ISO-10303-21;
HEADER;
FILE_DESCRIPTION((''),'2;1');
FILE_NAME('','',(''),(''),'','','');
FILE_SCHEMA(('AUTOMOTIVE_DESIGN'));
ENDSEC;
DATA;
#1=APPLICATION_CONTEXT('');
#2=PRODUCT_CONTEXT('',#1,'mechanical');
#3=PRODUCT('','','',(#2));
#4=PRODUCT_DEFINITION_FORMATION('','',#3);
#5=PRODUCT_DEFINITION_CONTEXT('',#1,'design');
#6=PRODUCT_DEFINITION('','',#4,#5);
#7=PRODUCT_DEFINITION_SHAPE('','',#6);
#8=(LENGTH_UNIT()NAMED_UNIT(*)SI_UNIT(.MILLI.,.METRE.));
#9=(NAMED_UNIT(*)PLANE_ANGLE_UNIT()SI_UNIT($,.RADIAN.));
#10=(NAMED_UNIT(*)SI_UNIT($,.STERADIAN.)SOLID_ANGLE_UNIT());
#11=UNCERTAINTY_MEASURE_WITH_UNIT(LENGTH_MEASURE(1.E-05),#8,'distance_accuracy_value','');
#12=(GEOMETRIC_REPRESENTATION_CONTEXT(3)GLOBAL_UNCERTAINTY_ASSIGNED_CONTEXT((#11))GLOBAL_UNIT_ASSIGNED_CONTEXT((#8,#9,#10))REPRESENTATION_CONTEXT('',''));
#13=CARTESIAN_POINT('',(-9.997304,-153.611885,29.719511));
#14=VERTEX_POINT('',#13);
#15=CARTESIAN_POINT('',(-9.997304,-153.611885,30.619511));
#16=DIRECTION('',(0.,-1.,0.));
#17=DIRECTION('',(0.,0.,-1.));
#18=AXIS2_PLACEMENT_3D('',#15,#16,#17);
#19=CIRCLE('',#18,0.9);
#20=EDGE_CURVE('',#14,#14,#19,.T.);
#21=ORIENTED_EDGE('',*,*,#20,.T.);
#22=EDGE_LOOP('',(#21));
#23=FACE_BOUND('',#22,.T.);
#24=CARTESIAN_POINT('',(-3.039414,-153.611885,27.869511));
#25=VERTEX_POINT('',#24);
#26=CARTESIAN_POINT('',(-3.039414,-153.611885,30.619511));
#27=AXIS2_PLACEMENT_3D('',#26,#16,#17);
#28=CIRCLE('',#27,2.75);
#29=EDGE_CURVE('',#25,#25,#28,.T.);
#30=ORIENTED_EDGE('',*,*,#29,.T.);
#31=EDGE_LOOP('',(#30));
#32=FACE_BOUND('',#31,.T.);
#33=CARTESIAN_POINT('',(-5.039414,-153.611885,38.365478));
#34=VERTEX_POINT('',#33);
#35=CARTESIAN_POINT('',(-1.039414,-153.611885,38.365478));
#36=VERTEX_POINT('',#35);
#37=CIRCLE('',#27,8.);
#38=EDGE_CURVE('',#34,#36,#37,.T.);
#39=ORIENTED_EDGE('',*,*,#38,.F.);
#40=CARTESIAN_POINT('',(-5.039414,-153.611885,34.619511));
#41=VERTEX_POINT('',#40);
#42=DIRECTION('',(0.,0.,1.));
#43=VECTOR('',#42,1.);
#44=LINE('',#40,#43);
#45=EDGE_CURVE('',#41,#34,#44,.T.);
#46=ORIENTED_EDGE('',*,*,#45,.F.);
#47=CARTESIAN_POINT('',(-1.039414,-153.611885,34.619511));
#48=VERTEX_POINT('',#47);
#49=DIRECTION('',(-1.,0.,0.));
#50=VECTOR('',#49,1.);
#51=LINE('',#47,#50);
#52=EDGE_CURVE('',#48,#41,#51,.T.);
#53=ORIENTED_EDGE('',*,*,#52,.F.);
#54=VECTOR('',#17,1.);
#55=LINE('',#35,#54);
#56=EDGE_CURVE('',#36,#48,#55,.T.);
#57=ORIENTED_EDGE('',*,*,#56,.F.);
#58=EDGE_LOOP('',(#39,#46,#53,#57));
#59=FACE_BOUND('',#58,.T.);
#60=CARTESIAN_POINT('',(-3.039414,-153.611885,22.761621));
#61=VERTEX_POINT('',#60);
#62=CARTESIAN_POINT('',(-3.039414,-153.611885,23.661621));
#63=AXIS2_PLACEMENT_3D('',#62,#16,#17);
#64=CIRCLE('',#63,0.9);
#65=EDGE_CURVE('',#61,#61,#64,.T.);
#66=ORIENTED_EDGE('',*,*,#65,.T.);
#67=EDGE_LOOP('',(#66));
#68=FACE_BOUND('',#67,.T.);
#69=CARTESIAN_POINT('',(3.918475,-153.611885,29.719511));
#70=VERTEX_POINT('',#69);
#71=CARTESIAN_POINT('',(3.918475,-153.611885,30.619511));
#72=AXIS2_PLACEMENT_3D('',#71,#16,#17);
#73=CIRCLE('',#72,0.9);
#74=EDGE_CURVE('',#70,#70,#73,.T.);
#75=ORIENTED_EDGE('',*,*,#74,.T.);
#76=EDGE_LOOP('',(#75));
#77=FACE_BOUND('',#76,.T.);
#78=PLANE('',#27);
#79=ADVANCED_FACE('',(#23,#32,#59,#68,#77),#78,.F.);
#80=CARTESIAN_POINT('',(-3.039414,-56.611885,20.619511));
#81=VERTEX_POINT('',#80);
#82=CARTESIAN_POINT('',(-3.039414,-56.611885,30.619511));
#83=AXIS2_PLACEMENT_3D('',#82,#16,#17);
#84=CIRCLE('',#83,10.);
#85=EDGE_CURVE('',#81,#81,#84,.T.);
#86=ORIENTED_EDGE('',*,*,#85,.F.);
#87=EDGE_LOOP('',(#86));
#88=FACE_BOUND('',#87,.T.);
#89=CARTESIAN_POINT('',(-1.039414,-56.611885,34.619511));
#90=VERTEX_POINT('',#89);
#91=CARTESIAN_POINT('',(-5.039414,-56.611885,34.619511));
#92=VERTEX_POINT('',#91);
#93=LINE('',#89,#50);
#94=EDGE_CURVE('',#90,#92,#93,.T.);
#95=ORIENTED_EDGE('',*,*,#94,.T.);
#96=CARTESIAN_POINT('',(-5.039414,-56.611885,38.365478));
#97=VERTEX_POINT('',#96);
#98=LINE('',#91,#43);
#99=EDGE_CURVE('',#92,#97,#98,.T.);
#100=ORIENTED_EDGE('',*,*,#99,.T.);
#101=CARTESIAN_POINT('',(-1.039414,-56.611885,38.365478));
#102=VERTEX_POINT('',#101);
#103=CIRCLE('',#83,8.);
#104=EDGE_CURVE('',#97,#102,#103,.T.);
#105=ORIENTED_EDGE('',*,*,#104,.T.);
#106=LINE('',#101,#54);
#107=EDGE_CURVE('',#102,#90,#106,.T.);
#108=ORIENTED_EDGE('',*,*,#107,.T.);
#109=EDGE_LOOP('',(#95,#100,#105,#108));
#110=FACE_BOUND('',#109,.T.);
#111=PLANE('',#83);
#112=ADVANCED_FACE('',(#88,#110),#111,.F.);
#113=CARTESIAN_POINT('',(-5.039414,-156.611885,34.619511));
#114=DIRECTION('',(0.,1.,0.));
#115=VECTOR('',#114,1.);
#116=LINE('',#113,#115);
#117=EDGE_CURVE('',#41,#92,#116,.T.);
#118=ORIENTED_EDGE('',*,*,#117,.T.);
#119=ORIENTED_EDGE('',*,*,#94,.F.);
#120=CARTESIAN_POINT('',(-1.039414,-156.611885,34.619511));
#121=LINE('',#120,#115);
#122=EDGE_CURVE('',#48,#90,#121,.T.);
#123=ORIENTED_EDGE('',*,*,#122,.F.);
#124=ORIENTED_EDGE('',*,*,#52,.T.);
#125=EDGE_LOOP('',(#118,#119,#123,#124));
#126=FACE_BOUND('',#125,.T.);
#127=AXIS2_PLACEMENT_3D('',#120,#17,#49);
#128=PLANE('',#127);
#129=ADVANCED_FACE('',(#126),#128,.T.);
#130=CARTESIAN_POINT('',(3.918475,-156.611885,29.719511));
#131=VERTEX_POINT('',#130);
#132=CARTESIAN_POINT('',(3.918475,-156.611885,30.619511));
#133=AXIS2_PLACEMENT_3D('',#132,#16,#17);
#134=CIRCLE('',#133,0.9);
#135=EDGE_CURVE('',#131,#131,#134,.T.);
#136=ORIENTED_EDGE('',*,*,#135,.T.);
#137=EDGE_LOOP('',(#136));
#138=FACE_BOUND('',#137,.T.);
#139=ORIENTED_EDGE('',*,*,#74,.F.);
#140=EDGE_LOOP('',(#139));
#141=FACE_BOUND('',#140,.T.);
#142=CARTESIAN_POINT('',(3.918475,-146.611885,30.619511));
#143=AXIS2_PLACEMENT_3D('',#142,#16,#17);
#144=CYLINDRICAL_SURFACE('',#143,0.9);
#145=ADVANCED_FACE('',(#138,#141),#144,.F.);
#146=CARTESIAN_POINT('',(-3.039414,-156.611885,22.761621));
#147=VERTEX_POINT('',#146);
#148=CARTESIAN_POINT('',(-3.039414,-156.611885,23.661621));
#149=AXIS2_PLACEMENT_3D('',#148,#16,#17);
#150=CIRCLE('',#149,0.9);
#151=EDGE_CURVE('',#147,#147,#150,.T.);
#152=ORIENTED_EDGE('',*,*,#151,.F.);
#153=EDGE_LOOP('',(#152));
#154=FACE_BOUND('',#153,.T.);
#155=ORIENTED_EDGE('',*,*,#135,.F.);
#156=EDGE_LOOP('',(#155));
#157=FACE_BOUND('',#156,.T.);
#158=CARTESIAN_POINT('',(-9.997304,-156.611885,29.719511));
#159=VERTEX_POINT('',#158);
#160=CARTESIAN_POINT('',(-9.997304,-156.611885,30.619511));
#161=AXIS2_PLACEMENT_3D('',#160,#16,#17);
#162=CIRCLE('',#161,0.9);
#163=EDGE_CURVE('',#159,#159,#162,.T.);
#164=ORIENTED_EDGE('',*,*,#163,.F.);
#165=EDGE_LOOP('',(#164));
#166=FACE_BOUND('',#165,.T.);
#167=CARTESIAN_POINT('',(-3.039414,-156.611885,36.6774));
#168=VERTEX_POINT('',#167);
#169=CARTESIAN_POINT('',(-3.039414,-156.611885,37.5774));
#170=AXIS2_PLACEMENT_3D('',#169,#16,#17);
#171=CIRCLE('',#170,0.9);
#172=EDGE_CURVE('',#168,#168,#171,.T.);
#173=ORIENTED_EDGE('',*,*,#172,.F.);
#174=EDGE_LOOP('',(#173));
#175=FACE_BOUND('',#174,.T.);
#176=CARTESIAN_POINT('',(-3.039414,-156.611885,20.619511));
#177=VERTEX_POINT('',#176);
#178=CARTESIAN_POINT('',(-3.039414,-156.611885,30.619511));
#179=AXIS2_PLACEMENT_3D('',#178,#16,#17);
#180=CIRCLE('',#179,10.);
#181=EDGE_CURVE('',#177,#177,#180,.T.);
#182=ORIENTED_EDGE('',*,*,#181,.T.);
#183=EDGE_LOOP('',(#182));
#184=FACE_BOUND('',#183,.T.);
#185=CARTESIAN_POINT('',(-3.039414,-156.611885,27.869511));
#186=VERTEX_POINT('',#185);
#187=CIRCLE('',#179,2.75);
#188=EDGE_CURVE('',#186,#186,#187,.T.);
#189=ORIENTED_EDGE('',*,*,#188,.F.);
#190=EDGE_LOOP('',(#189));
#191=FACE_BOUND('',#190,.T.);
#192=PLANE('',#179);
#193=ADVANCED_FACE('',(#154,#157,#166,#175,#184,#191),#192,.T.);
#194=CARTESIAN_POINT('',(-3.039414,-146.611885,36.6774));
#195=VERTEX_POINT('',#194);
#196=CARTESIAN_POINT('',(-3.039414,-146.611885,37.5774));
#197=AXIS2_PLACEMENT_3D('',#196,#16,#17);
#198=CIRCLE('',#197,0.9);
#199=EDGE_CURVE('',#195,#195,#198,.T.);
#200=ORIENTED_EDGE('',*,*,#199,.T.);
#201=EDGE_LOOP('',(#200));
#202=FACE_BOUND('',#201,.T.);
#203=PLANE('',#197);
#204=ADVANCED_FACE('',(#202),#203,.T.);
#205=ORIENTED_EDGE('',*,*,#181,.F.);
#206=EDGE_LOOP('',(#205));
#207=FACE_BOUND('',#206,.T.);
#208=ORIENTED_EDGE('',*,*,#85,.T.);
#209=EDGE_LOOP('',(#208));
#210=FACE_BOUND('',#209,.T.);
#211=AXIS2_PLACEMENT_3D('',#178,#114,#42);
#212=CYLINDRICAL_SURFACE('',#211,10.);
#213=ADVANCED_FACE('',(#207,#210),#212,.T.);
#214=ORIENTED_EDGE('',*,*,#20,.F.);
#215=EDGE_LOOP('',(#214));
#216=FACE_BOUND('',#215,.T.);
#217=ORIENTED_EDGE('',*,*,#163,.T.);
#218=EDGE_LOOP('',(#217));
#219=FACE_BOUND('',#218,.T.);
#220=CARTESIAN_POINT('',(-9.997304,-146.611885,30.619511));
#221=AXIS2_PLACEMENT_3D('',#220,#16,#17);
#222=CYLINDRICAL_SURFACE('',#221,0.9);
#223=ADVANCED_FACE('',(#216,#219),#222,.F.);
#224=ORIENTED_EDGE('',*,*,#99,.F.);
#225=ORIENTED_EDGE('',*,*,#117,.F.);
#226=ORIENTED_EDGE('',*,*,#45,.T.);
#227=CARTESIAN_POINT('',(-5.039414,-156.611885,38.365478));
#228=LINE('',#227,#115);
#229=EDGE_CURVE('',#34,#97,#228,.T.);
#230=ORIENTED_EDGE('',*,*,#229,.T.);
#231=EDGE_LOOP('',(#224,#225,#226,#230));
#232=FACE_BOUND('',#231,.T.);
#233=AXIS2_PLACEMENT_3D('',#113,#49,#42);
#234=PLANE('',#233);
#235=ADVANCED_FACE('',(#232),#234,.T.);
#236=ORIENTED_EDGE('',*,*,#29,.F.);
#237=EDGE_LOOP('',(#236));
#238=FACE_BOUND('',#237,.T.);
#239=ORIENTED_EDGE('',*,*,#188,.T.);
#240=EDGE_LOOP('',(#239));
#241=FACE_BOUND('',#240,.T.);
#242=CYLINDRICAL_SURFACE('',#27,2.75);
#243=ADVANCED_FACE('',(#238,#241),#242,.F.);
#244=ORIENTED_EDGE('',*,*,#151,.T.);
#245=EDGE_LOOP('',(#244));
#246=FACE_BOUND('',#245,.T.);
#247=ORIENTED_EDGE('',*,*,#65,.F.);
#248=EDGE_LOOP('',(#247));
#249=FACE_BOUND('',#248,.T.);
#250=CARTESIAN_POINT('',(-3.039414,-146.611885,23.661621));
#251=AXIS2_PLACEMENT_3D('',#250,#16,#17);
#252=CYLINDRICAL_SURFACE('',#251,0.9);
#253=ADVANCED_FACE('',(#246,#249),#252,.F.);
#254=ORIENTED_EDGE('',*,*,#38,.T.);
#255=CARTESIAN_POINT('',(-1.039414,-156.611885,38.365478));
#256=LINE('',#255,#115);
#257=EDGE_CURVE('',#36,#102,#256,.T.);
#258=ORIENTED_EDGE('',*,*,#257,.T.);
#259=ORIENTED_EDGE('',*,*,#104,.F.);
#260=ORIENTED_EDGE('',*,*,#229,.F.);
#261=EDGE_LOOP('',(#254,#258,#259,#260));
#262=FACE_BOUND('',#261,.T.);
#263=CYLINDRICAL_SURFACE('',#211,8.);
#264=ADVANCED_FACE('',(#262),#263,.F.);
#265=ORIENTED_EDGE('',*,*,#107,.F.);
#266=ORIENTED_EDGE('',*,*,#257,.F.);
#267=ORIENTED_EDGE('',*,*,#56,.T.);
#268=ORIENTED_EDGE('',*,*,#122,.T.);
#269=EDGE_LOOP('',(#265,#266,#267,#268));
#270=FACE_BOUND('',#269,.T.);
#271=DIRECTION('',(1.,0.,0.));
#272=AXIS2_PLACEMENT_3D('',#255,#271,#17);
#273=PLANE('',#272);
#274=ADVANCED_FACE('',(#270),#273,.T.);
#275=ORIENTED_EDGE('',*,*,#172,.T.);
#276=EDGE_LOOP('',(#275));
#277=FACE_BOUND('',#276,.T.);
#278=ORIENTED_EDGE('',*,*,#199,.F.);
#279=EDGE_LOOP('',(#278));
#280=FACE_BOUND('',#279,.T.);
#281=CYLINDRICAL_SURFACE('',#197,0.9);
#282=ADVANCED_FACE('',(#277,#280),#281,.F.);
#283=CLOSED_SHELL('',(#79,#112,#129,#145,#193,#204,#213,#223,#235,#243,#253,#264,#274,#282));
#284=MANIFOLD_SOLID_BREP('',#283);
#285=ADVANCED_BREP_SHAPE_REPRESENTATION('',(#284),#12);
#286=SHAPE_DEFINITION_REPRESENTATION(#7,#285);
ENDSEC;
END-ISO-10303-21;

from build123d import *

# Parameters (mm, degrees)
CROQUIS1_R              = 10
SALIENTE_EXTRUIR1_DEPTH = 100
CROQUIS2_R              = 10
CROQUIS2_R_2            = 2.75
SALIENTE_EXTRUIR2_DEPTH = 3
CROQUIS3_R              = 0.9
CORTAR_EXTRUIR1_DEPTH   = 10


with BuildPart() as part:
    # Croquis1 → Saliente-Extruir1 (new body)
    with BuildSketch(Plane.XZ.offset(56.611885127)):
        with Locations((-3.039414363, 30.619510909)):
            Circle(CROQUIS1_R)
        with BuildLine():
            Line((-1.039414363, 38.365477601), (-1.039414363, 34.619510909))
            Line((-1.039414363, 34.619510909), (-5.039414363, 34.619510909))
            Line((-5.039414363, 34.619510909), (-5.039414363, 38.365477601))
            ThreePointArc((-5.039414363, 38.365477601), (-3.039414363, 22.619510909), (-1.039414363, 38.365477601))
        make_face(mode=Mode.SUBTRACT)
    extrude(amount=SALIENTE_EXTRUIR1_DEPTH)

    # Croquis2 → Saliente-Extruir2 (add)
    with BuildSketch(Plane.XZ.offset(156.611885127)):
        with Locations((-3.039414363, 30.619510909)):
            Circle(CROQUIS2_R)
        with Locations((-3.039414363, 30.619510909)):
            Circle(CROQUIS2_R_2, mode=Mode.SUBTRACT)
    extrude(amount=-SALIENTE_EXTRUIR2_DEPTH)

    # Croquis3 → Cortar-Extruir1 (cut)
    with BuildSketch(Plane.XZ.offset(156.611885127)):
        with Locations((-3.039414363, 37.577400418)):
            Circle(CROQUIS3_R)
        with Locations((3.918475146, 30.619510909)):
            Circle(CROQUIS3_R)
        with Locations((-3.039414363, 23.6616214)):
            Circle(CROQUIS3_R)
        with Locations((-9.997303872, 30.619510909)):
            Circle(CROQUIS3_R)
    extrude(amount=-CORTAR_EXTRUIR1_DEPTH, mode=Mode.SUBTRACT)


solid = part.part
